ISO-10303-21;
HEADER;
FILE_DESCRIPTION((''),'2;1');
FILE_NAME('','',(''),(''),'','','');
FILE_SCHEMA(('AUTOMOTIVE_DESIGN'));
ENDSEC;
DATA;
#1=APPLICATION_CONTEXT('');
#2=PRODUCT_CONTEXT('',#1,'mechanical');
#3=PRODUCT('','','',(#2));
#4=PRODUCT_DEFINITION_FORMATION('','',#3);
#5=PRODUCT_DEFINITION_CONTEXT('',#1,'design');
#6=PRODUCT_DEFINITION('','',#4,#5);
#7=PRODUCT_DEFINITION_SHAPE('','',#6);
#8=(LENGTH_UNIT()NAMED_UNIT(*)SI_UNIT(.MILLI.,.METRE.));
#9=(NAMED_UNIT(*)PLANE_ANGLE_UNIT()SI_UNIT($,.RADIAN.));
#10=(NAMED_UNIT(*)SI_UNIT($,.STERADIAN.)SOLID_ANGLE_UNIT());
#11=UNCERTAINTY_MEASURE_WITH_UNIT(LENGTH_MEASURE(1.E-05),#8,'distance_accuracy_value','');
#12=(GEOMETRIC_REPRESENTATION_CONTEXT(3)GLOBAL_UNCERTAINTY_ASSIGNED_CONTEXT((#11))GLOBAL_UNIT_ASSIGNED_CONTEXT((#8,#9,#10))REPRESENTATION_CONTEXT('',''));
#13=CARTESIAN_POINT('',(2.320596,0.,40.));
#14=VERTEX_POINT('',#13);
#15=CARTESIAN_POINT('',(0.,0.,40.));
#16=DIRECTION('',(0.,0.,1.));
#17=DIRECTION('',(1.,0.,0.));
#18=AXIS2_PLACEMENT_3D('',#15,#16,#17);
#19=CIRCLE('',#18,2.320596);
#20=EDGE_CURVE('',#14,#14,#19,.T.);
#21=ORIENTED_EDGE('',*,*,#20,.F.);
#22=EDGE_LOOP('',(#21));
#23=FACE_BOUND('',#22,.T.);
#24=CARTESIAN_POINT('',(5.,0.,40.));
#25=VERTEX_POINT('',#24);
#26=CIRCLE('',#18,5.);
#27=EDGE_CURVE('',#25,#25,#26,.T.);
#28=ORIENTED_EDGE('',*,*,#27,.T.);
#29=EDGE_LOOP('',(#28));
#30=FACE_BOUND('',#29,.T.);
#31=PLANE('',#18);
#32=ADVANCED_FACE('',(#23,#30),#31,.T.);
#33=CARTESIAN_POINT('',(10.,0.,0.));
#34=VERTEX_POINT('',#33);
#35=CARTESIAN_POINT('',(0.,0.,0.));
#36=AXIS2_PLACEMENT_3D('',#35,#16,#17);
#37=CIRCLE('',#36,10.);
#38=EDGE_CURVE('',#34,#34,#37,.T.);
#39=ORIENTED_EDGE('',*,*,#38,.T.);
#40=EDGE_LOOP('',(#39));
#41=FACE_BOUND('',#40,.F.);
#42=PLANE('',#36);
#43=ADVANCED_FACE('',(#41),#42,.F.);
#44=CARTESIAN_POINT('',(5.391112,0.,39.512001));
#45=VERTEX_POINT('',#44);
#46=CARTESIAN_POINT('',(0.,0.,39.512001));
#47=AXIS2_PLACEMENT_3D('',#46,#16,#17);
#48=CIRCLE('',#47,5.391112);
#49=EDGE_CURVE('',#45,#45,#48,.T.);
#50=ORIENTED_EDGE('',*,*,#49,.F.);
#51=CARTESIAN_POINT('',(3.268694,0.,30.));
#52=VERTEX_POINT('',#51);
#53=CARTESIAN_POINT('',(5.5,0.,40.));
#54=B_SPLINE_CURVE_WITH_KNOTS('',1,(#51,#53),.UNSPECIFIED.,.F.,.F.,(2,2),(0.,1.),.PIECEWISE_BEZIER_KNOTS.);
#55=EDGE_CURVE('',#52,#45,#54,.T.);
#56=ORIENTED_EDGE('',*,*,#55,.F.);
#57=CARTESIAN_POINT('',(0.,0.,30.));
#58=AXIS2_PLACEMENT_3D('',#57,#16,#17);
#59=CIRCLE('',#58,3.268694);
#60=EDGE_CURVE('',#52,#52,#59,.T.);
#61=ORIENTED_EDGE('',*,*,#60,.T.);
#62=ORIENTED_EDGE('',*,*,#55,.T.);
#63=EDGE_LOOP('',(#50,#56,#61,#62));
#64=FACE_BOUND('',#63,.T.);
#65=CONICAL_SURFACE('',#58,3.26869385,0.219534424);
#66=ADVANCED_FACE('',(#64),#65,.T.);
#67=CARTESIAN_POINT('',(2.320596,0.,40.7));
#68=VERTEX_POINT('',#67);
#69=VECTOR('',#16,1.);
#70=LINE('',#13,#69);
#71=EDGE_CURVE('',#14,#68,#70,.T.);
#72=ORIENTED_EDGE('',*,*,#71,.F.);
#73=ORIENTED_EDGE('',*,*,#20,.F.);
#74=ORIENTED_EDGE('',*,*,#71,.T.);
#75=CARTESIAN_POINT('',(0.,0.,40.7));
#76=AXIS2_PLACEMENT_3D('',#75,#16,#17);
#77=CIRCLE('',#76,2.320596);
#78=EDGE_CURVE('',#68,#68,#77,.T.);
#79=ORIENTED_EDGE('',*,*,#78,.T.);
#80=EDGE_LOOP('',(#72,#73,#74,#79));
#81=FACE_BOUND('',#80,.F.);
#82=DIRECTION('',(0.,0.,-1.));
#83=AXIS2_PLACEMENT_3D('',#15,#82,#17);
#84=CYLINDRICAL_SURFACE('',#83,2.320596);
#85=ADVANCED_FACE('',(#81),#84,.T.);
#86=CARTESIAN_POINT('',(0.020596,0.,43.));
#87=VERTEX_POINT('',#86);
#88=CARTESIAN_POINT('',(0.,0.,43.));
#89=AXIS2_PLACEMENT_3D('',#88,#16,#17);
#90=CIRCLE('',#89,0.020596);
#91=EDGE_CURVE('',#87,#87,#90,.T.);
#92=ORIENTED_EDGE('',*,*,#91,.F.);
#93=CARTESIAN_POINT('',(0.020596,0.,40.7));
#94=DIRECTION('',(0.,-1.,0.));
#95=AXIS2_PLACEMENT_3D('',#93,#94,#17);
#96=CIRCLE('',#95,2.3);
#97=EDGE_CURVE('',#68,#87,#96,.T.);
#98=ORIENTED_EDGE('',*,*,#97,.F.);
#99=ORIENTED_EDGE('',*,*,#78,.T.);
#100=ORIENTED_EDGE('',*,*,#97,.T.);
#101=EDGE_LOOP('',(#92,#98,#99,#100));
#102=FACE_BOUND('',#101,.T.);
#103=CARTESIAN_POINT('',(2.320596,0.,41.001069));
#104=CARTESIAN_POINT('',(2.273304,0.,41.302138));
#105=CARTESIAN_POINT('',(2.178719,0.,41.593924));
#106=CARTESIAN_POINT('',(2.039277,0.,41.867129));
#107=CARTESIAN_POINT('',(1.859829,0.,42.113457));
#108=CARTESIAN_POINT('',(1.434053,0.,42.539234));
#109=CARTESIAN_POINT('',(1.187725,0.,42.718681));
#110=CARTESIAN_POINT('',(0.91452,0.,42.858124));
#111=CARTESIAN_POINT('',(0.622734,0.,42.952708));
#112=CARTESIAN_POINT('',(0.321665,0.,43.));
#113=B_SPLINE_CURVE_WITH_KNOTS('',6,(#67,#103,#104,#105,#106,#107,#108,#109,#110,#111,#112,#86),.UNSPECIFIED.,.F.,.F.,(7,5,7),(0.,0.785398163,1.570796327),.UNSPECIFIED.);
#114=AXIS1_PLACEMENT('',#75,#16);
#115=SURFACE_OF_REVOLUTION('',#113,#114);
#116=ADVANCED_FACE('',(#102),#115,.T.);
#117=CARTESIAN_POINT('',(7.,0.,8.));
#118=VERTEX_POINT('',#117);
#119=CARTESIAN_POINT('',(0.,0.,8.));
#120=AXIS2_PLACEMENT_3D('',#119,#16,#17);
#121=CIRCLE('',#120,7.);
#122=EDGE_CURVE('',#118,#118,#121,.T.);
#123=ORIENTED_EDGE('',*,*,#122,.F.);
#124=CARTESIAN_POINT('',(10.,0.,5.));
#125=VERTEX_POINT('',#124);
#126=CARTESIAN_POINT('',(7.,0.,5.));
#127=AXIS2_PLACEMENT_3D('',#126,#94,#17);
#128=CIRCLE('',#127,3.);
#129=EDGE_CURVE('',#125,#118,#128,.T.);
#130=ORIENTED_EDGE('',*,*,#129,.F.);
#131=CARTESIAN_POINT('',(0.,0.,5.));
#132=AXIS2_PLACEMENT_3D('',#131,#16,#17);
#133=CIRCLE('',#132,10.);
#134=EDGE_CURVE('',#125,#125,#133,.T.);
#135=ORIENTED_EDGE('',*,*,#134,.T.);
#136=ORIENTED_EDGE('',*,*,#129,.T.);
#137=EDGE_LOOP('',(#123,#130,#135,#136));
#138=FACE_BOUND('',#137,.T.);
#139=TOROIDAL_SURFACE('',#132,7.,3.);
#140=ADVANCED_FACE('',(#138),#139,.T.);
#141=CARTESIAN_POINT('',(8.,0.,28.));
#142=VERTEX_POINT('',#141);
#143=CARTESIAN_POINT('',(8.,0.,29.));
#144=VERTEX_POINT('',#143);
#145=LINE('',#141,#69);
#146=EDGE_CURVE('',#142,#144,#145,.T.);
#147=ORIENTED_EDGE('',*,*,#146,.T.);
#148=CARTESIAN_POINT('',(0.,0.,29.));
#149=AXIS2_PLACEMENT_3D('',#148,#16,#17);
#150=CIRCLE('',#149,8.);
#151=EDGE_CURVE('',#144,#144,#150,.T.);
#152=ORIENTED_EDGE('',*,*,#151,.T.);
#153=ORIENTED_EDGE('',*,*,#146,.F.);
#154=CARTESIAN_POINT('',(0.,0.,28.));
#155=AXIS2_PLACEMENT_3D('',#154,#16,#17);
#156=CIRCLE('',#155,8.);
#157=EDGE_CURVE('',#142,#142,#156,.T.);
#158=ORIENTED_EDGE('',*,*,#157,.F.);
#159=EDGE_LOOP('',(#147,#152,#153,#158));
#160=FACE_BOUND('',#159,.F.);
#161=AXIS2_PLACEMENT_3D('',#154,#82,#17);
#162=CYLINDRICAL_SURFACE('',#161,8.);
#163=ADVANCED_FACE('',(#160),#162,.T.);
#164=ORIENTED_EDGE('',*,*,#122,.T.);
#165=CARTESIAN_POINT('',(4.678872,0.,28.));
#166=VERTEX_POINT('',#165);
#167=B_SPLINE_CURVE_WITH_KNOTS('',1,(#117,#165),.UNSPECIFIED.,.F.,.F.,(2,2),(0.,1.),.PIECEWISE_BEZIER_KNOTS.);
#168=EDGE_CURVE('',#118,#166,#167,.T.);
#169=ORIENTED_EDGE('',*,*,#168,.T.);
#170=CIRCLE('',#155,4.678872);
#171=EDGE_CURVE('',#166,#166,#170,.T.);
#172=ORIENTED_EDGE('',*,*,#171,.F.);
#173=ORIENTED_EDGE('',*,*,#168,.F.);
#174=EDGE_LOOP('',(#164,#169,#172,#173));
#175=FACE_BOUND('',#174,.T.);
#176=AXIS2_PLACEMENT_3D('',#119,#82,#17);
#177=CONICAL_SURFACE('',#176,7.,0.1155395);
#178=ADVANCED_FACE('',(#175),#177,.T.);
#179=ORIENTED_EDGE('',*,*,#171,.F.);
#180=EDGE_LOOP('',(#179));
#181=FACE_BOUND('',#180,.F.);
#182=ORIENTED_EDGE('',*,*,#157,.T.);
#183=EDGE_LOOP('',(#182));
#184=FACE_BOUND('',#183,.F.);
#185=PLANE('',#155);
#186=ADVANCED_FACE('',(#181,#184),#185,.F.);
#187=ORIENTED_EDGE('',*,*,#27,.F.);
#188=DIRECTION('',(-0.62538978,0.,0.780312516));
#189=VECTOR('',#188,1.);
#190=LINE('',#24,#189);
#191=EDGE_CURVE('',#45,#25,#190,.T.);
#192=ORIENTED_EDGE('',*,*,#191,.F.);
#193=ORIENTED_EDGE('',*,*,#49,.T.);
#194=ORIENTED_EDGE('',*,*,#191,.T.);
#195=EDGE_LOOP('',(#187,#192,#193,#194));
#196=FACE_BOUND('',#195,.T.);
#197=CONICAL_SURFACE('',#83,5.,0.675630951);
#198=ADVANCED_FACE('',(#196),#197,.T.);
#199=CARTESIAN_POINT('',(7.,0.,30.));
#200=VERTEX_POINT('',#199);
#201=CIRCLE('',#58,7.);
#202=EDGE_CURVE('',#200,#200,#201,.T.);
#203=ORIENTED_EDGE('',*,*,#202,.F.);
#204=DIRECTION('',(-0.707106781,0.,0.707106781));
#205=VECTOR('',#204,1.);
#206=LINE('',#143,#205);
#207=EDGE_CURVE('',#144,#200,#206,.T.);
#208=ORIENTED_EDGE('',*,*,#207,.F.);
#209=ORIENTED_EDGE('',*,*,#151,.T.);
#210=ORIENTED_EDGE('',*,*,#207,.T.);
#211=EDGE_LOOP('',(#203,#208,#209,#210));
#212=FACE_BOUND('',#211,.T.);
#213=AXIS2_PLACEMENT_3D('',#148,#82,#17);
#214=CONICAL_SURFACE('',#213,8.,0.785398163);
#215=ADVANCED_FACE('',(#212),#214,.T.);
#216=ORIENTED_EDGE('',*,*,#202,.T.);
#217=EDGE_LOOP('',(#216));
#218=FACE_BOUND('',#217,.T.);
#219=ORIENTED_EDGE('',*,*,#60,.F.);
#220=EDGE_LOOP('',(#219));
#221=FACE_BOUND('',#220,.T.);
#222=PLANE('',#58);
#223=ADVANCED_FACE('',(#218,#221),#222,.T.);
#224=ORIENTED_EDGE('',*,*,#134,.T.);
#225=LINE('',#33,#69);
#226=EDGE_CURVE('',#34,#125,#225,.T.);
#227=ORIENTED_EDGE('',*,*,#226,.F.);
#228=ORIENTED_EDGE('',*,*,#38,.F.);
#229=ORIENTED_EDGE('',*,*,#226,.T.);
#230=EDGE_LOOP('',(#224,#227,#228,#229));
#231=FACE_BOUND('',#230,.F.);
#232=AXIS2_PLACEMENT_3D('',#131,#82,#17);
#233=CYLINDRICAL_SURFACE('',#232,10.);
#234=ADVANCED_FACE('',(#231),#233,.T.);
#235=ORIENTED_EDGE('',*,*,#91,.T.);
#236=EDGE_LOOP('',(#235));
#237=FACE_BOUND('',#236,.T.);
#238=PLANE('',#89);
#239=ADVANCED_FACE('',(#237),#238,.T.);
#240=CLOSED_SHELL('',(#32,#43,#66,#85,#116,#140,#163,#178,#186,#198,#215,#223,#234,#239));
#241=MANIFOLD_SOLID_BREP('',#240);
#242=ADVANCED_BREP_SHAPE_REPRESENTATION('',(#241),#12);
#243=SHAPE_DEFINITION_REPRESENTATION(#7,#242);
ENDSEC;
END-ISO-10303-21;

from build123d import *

# Parameters (mm, degrees)
F0_R      = 10
F1_DEPTH  = 5
F2_DEPTH  = 3
F3_R      = 3
F2_FACE_R = 7
F5_R      = 4.6788722556
F7_R      = 8
F7_R_2    = 4.6788722556
F8_DEPTH  = 2
F9_SIZE   = 1
F10_R     = 3.2686938503
F12_R     = 5.5
F14_SIZE  = 0.5
F15_R     = 2.3205955221
F16_DEPTH = 3
F17_R     = 2.3


with BuildPart() as f1:
    # F0 (on Top) → F1 (new body)
    with BuildSketch(Plane.XY):
        Circle(F0_R)
    extrude(amount=F1_DEPTH)

    # F2 (add): a face of the model
    f2_faces = [f1.faces().sort_by_distance(p)[0] for p in [
        (0, 0, 5),
    ]]
    extrude(f2_faces, amount=F2_DEPTH)

    # F3
    f3_edges = [f1.edges().sort_by_distance(p)[0] for p in [
        (-10, 0, 8),
    ]]
    fillet(f3_edges, radius=F3_R)

    # F2_face (on face) → F6 section 0
    with BuildSketch(Plane.XY.offset(8)):
        Circle(F2_FACE_R)
    # F5 (on offset) → F6 section 1
    with BuildSketch(Plane.XY.offset(28)):
        Circle(F5_R)
    loft()

    # F7 (on face) → F8 (join)
    with BuildSketch(Plane.XY.offset(28)):
        Circle(F7_R)
        Circle(F7_R_2, mode=Mode.SUBTRACT)
        Circle(F7_R_2)
    extrude(amount=F8_DEPTH)

    # F9
    f9_edges = [f1.edges().sort_by_distance(p)[0] for p in [
        (-8, 0, 30),
    ]]
    chamfer(f9_edges, length=F9_SIZE)

    # F10 (on face) → F13 section 0
    with BuildSketch(Plane.XY.offset(30)):
        Circle(F10_R)
    # F12 (on offset) → F13 section 1
    with BuildSketch(Plane.XY.offset(40)):
        Circle(F12_R)
    loft()

    # F14
    f14_edges = [f1.edges().sort_by_distance(p)[0] for p in [
        (-5.5, 0, 40),
    ]]
    chamfer(f14_edges, length=F14_SIZE)

    # F15 (on face) → F16 (join)
    with BuildSketch(Plane.XY.offset(40)):
        Circle(F15_R)
    extrude(amount=F16_DEPTH)

    # F17
    f17_edges = [f1.edges().sort_by_distance(p)[0] for p in [
        (-2.320596, 0, 43),
    ]]
    fillet(f17_edges, radius=F17_R)


solid = f1.part
